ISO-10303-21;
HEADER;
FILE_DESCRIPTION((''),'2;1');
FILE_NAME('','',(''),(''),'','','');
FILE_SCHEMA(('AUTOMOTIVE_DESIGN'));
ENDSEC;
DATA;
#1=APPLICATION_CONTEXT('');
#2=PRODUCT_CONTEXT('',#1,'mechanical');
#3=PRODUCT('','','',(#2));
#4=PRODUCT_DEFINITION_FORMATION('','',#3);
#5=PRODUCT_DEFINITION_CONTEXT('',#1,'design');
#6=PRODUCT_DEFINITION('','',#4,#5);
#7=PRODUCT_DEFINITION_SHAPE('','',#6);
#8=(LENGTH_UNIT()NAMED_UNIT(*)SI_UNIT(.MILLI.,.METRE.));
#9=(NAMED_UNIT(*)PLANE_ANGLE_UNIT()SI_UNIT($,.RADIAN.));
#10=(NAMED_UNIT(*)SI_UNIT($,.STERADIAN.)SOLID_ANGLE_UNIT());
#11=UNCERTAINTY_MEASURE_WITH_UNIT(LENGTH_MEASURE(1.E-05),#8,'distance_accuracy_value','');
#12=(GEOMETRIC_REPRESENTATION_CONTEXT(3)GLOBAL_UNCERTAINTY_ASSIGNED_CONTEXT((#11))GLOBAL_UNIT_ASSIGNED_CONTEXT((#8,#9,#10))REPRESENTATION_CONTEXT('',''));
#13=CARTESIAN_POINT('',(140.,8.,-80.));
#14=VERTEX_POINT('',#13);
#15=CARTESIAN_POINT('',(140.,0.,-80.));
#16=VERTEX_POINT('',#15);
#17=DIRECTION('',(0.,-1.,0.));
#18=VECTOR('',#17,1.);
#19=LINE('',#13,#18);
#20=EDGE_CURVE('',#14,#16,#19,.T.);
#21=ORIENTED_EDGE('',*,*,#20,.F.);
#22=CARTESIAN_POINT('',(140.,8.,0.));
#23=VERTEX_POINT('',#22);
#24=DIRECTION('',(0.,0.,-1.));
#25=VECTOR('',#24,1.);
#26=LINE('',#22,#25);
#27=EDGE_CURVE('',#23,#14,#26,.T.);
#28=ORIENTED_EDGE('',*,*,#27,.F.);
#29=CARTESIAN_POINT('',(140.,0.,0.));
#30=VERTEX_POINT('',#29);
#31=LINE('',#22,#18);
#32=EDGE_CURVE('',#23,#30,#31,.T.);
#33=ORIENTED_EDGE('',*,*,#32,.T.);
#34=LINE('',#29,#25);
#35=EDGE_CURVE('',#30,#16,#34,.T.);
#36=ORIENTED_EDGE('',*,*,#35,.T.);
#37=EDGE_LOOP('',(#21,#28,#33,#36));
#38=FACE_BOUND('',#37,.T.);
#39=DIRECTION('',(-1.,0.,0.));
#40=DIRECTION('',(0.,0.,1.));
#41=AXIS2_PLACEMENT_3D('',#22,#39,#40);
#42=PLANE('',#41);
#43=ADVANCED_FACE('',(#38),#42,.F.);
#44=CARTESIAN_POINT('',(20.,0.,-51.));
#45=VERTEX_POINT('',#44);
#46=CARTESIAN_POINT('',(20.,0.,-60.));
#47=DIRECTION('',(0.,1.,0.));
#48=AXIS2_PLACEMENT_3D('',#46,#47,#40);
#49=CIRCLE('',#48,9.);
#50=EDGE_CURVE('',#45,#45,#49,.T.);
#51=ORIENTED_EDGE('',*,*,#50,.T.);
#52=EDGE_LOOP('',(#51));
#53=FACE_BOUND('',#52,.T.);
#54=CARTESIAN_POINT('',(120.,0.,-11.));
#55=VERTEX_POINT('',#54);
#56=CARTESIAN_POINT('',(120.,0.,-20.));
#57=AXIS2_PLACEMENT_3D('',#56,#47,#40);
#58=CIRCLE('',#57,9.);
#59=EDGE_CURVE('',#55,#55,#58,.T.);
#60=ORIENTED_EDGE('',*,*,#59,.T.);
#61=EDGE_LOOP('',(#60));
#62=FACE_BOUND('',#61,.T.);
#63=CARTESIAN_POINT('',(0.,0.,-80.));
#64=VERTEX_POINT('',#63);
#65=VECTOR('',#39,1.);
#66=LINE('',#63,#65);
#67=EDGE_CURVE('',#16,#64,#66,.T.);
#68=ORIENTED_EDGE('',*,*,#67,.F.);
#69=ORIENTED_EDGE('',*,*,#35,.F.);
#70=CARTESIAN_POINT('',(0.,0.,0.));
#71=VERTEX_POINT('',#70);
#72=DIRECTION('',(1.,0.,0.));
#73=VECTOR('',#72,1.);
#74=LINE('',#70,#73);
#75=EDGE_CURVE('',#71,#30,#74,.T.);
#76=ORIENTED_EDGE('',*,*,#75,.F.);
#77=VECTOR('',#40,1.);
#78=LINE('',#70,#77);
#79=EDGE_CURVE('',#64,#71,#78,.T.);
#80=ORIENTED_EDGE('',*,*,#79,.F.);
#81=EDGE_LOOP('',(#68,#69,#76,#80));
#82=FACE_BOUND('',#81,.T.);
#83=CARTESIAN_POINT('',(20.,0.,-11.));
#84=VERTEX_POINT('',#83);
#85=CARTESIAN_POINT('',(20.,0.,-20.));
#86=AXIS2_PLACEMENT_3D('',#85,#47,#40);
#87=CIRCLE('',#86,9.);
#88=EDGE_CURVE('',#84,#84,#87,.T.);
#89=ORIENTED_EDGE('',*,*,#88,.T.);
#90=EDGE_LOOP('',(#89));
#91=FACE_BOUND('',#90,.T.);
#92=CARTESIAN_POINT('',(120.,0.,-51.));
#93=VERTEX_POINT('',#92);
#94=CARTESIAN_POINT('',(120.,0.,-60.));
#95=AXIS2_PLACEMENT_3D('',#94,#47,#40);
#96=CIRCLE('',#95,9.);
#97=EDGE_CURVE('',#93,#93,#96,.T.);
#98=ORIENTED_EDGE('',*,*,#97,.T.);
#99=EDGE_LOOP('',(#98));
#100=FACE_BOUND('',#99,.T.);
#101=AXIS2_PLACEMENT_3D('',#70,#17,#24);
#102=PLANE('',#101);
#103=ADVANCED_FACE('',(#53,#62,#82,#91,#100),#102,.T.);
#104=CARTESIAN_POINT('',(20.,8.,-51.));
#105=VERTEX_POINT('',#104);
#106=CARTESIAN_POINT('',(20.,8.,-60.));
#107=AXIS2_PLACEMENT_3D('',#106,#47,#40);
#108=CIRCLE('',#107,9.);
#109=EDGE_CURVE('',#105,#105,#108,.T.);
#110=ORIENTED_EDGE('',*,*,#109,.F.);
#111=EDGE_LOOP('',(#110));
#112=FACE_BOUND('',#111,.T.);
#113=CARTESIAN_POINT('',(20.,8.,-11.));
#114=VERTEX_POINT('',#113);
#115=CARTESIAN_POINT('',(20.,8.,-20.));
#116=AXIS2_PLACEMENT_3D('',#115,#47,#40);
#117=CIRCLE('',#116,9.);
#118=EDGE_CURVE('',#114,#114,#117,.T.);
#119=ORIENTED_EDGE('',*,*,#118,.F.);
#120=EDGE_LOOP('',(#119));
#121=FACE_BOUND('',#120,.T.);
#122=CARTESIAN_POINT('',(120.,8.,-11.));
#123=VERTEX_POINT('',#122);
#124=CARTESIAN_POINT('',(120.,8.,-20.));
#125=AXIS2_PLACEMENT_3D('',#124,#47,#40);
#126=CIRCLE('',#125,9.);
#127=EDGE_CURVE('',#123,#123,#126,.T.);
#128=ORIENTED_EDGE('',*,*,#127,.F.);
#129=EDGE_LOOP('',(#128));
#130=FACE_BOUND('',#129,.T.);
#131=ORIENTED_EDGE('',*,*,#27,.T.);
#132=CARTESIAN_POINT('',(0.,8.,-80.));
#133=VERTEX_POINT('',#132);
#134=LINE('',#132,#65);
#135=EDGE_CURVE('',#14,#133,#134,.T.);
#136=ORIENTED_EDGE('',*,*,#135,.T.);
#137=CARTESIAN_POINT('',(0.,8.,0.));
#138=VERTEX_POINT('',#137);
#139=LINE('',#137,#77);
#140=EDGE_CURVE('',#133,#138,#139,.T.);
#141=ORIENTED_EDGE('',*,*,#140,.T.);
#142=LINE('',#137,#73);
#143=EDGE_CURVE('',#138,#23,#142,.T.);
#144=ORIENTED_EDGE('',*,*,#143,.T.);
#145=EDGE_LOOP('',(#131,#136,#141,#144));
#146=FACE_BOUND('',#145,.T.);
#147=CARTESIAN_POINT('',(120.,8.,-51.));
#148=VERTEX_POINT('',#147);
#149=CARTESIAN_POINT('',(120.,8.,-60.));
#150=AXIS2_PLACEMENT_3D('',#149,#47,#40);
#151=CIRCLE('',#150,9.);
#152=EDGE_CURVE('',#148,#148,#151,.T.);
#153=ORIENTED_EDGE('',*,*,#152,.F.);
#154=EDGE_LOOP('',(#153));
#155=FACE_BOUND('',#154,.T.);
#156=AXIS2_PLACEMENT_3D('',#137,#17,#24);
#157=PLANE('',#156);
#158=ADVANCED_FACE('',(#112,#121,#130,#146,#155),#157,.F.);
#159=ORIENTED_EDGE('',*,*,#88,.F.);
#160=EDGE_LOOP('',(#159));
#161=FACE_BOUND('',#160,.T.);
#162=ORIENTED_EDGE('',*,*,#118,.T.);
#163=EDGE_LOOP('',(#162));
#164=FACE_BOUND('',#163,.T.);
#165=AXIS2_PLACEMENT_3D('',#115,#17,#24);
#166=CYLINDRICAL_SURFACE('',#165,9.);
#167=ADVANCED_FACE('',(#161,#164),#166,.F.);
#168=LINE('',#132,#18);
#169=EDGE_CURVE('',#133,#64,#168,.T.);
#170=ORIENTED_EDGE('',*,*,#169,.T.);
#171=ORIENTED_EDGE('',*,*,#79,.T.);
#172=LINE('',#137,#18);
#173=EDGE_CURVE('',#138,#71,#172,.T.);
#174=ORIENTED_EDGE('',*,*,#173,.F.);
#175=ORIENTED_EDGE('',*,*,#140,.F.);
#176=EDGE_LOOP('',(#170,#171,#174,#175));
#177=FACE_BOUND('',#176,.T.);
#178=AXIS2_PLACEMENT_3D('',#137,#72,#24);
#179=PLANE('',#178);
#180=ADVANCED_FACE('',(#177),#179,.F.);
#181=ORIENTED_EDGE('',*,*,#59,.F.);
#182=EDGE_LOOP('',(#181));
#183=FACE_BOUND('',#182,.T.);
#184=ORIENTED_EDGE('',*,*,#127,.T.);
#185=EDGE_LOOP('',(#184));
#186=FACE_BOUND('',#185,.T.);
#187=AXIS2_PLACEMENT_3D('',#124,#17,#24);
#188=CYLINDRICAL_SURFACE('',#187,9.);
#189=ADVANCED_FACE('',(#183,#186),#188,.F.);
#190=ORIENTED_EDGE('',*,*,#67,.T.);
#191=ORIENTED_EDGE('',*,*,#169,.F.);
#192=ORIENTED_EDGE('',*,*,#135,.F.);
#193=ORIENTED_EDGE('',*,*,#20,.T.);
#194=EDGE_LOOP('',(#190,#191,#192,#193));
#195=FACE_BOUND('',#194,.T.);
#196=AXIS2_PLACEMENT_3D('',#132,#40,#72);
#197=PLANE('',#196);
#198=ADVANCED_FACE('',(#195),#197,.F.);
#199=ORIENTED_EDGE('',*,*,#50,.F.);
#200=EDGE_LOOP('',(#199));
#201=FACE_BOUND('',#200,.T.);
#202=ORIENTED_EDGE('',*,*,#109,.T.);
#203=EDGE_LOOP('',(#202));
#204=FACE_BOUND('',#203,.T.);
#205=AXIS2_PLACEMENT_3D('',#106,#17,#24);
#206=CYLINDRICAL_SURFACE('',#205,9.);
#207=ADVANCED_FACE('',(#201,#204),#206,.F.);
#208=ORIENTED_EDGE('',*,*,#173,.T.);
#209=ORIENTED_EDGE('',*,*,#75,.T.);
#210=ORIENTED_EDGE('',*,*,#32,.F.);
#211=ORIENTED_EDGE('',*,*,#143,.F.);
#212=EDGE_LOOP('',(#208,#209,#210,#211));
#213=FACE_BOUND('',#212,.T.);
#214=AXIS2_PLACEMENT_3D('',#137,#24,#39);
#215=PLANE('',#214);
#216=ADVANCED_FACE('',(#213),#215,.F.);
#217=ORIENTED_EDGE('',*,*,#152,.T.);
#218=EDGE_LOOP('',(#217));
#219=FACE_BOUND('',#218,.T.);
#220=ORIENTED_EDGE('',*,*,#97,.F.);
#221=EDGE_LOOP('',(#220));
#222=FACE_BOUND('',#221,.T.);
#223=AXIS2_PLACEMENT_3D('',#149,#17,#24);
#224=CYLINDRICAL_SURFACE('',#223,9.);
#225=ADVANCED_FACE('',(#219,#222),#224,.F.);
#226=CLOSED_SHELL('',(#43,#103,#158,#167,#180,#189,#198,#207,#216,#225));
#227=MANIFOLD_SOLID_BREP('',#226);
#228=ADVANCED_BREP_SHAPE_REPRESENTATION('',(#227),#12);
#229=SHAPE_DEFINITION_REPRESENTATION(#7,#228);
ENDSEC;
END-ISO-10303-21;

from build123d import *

# Parameters (mm, degrees)
SZKIC1_W                    = 140
SZKIC1_H                    = 80
SZKIC1_R                    = 9
DODANIE_WYCI_GNI_CIE1_DEPTH = 8


with BuildPart() as part:
    # Szkic1 → Dodanie-wyciągnięcie1 (new body)
    with BuildSketch(Plane(origin=(0, 0, 0), x_dir=(1, 0, 0), z_dir=(0, 1, 0))):
        with Locations((70, 40)):
            Rectangle(SZKIC1_W, SZKIC1_H)
        with Locations(Location((20, 60, 0), (0, 0, 270))):
            Circle(SZKIC1_R, mode=Mode.SUBTRACT)
        with Locations(Location((120, 60, 0), (0, 0, 270))):
            Circle(SZKIC1_R, mode=Mode.SUBTRACT)
        with Locations(Location((120, 20, 0), (0, 0, 270))):
            Circle(SZKIC1_R, mode=Mode.SUBTRACT)
        with Locations(Location((20, 20, 0), (0, 0, 270))):
            Circle(SZKIC1_R, mode=Mode.SUBTRACT)
    extrude(amount=DODANIE_WYCI_GNI_CIE1_DEPTH)


solid = part.part
